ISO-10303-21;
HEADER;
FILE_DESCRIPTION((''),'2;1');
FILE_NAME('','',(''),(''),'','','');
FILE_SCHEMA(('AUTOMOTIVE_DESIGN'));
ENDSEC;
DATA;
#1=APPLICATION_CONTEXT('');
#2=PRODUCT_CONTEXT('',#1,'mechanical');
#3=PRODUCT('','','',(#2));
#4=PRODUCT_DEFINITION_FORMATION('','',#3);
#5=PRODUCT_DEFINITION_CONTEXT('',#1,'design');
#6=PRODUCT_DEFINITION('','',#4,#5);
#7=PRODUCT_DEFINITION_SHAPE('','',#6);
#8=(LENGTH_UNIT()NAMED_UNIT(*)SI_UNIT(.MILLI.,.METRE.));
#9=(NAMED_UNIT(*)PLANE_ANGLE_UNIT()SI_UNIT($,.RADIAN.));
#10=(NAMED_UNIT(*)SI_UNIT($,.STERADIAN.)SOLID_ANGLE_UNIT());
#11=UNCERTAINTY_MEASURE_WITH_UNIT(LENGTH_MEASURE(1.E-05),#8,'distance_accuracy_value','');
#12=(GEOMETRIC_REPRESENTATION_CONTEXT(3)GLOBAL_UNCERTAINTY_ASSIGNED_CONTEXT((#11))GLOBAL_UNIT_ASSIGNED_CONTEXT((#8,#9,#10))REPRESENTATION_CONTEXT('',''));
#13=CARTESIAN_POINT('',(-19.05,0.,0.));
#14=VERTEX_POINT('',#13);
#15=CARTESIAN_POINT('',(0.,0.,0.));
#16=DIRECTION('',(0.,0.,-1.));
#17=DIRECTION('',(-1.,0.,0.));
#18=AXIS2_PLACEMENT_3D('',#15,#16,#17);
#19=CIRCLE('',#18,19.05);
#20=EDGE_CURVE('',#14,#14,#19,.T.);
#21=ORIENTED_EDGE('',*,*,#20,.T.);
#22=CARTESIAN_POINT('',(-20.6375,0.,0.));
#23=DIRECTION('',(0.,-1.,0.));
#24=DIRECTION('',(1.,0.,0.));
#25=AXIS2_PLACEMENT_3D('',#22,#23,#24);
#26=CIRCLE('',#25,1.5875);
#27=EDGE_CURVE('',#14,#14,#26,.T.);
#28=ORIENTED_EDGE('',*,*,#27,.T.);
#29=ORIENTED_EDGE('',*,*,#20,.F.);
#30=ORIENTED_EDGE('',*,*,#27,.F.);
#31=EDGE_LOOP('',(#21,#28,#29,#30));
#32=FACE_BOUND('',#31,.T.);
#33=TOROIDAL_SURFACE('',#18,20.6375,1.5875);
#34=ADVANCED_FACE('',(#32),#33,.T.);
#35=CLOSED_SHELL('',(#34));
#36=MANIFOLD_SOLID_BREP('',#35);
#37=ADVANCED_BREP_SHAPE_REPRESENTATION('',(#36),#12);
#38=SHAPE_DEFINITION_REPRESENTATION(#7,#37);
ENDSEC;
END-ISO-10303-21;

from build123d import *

# Parameters (mm, degrees)
F0_R = 1.5875


with BuildPart() as f1:
    # F0 (on Front) → F1 (revolve)
    with BuildSketch(Plane.XZ):
        with Locations((-20.6375, 0)):
            Circle(F0_R)
    revolve(axis=Axis((0, 0, 1e-06), (0, 0, -1)))


solid = f1.part
